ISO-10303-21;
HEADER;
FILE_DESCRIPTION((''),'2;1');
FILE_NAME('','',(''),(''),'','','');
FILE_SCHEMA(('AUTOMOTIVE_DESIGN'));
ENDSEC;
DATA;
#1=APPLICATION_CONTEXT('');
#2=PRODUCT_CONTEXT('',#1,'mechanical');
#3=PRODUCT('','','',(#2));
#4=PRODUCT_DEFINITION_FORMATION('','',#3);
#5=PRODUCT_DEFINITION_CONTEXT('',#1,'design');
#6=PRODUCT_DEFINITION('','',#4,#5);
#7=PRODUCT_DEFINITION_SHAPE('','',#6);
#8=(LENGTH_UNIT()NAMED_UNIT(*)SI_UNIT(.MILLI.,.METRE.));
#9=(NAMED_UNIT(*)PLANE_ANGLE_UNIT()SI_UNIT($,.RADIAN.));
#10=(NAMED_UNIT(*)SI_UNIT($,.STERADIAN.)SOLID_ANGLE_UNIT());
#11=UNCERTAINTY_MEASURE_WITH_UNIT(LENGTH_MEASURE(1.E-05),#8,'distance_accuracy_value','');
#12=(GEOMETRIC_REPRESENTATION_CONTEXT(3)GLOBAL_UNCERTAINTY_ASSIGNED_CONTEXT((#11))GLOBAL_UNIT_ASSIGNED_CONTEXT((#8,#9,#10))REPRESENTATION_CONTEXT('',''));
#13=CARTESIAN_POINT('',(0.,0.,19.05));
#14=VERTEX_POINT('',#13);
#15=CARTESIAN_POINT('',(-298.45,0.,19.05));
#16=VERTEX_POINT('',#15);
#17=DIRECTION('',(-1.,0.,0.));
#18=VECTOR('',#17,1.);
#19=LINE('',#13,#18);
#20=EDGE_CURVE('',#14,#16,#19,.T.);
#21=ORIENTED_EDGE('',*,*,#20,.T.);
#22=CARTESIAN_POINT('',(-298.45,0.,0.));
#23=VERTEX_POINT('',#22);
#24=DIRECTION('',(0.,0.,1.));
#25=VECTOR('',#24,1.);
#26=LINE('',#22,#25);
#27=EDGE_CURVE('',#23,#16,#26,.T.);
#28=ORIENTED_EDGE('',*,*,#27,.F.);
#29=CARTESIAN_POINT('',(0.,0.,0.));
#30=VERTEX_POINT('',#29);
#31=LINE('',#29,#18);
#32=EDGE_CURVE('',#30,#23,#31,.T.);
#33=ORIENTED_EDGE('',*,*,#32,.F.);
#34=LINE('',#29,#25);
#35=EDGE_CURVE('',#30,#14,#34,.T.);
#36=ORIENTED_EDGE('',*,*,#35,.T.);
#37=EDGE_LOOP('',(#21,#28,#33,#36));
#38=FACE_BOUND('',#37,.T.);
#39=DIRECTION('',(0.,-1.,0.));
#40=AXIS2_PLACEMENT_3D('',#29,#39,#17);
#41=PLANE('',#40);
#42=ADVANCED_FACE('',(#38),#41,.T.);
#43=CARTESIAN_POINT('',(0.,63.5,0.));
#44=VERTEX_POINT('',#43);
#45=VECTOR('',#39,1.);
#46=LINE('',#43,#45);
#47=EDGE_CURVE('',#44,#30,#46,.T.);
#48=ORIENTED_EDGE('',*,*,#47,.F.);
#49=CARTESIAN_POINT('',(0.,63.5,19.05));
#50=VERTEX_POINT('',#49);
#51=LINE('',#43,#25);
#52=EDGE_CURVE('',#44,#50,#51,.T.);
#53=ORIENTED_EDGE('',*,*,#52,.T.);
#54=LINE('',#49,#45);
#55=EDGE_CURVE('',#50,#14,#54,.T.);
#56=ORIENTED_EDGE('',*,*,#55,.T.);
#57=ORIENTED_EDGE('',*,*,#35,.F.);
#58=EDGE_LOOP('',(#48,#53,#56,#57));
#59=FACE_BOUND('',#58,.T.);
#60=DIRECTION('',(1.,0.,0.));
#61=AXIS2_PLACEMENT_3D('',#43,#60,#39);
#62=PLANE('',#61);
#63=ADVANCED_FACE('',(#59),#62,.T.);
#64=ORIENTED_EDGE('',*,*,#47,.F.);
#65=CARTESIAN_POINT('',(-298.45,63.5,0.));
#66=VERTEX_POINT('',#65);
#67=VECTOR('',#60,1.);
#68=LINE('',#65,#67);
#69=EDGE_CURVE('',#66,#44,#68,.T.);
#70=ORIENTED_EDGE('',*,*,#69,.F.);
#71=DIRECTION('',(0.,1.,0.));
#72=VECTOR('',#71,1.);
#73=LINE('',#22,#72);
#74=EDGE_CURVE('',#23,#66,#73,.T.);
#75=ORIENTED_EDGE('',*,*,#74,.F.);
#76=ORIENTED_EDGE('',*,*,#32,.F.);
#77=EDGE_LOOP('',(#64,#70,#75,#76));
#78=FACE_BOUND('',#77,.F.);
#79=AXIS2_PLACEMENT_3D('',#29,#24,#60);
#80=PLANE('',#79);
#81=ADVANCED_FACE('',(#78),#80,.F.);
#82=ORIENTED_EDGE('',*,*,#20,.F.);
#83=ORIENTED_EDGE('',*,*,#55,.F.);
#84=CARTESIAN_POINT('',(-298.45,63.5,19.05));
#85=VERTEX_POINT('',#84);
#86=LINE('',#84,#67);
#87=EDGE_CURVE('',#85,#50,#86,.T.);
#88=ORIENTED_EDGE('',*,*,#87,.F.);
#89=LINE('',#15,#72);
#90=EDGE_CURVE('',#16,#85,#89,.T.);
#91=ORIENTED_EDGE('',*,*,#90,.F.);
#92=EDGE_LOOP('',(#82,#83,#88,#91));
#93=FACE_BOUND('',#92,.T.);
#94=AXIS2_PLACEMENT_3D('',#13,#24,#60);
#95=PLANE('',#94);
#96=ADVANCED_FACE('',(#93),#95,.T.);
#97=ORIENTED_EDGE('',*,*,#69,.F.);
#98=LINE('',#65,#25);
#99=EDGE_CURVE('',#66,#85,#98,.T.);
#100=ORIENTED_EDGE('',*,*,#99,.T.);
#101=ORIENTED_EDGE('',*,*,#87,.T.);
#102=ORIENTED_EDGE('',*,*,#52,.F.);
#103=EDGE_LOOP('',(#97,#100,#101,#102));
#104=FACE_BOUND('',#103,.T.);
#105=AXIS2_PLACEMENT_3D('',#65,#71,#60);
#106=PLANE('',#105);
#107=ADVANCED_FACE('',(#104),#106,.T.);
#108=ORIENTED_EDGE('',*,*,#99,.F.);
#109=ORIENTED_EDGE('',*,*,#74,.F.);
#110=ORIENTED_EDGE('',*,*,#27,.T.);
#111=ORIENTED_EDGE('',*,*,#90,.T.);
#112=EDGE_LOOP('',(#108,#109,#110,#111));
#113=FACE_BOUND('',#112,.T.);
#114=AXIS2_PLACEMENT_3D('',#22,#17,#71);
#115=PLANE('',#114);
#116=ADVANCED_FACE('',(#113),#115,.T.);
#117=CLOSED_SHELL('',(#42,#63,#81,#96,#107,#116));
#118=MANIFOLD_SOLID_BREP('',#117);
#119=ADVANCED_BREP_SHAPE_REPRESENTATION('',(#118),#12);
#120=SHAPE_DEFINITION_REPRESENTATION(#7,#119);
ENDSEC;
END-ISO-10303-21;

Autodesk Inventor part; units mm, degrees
ref_plane "YZ Plane" through (0, 0, 0) normal (1, 0, 0) x (0, 1, 0)
ref_plane "XZ Plane" through (0, 0, 0) normal (0, 1, 0) x (-1, 0, 0)
ref_plane "XY Plane" through (0, 0, 0) normal (0, 0, 1) x (1, 0, 0)
sketch "Sketch1" plane through (0, 0, 0) normal (0, 0, 1) x (1, 0, 0)
  line L0 (-298.45, 63.5) -> (0, 63.5)
  line L1 (0, 63.5) -> (0, 0)
  line L2 (0, 0) -> (-298.45, 0)
  line L3 (-298.45, 0) -> (-298.45, 63.5)
  dimension "d0" = 63.5
  dimension "d1" = 298.45
extrude "Extrusion1" add sketch "Sketch1" along normal blind 19.05
properties part number "11.75 in side"
